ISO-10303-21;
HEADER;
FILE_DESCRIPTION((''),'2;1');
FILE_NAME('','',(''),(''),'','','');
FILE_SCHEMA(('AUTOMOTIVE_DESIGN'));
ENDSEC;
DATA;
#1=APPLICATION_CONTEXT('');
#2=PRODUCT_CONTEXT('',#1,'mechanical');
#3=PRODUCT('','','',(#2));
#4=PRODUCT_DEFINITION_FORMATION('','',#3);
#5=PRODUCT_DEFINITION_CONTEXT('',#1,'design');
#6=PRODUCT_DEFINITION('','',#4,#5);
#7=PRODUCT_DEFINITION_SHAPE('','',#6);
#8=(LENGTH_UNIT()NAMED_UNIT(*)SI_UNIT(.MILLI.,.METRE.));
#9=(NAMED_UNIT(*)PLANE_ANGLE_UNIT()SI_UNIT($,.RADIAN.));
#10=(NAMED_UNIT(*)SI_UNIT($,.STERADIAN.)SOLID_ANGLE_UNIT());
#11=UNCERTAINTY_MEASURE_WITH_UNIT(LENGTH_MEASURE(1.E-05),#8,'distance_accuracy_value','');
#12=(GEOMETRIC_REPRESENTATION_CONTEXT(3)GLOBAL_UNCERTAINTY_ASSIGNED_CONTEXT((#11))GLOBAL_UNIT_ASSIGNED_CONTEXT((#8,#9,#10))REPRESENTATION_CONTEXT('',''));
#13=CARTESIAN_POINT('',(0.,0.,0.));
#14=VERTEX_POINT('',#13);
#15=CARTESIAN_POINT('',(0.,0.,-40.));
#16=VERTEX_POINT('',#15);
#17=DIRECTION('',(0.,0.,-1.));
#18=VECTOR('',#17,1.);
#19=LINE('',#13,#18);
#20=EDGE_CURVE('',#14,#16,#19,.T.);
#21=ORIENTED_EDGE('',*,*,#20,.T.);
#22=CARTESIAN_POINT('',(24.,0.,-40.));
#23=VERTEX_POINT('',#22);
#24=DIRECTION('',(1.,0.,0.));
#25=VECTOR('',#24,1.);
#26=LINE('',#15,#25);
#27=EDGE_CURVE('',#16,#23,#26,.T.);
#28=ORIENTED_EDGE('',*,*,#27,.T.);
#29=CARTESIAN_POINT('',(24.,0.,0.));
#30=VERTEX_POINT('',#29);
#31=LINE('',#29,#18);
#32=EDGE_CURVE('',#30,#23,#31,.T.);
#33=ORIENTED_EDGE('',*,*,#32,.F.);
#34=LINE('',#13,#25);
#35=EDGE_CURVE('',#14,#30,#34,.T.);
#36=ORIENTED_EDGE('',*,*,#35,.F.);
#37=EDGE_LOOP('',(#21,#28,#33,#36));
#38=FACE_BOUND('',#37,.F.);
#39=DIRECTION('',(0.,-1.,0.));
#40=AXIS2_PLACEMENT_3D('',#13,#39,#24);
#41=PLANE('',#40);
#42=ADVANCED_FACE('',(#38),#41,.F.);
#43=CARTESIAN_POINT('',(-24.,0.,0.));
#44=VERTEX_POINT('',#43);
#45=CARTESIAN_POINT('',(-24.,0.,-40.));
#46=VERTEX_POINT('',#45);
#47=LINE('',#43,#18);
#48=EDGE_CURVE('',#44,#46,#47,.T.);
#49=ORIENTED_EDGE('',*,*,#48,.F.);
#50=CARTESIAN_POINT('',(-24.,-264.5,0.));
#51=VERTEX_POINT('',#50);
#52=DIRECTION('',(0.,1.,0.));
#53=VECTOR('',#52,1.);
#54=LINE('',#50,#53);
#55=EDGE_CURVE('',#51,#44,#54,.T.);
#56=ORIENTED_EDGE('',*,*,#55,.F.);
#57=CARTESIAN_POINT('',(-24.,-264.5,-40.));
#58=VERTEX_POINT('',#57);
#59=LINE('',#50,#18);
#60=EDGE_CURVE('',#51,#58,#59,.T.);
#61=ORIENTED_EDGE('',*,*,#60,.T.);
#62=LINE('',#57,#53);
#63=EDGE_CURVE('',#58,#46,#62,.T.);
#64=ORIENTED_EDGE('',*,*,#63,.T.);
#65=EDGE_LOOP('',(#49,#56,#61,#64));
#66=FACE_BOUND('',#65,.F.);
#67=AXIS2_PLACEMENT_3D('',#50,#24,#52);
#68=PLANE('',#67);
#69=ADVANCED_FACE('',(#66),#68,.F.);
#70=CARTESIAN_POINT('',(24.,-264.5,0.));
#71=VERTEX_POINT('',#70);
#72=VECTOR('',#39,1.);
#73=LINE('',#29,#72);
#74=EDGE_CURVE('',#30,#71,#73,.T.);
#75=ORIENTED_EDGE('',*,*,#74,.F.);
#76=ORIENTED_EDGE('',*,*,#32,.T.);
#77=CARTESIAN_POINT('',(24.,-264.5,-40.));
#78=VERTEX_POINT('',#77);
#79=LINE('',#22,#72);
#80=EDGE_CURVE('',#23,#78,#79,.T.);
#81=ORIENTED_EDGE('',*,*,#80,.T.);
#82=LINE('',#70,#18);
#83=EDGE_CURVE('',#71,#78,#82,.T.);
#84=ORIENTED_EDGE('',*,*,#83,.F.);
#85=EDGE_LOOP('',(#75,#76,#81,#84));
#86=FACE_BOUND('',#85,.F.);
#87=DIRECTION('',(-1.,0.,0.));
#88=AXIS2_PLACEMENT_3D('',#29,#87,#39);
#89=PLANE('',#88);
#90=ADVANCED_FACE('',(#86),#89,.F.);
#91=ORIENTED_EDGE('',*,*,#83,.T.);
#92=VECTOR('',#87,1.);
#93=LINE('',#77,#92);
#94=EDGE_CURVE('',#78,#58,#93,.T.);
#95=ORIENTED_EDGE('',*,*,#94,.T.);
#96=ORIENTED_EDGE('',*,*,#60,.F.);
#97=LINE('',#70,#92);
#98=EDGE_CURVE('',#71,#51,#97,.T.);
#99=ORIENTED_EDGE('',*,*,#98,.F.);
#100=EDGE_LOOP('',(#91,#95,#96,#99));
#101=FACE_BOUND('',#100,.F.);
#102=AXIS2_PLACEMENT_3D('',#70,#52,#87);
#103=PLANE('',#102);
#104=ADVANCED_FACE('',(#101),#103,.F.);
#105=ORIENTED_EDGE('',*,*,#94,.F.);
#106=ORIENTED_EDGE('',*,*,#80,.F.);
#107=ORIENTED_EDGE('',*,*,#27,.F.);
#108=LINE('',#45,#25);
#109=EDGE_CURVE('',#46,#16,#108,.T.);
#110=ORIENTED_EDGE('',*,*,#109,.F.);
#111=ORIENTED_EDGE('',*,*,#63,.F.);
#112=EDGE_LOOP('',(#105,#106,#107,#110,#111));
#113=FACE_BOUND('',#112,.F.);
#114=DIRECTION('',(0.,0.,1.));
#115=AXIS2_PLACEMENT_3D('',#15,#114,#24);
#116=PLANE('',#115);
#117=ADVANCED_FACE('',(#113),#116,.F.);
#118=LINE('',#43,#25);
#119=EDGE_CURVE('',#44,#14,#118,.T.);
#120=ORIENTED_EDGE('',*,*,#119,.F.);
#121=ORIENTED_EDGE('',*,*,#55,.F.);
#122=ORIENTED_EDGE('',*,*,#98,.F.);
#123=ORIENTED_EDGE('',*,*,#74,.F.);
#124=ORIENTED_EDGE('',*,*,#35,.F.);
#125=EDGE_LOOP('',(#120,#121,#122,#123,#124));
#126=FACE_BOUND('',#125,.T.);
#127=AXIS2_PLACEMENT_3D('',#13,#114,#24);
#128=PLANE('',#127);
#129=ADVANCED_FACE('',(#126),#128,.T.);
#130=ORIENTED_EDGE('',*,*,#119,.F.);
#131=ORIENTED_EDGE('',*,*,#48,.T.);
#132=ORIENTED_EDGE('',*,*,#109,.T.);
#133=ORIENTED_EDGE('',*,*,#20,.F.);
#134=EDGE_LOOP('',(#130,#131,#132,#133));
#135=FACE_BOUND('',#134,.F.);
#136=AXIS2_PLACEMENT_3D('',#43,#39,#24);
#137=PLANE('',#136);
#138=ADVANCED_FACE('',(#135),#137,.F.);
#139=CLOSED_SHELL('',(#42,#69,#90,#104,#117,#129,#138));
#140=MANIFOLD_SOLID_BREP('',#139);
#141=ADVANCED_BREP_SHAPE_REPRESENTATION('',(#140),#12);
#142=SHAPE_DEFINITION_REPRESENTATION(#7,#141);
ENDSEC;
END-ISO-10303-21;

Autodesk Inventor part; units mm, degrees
ref_plane "YZ Plane" through (0, 0, 0) normal (1, 0, 0) x (0, 1, 0)
ref_plane "XZ Plane" through (0, 0, 0) normal (0, 1, 0) x (-1, 0, 0)
ref_plane "XY Plane" through (0, 0, 0) normal (0, 0, 1) x (1, 0, 0)
sketch "Boceto1" plane through (0, 0, 0) normal (0, 0, 1) x (1, 0, 0)
  line L0 (0, 0) -> (24, 0)
  line L1 (24, 0) -> (24, -264.5)
  line L2 (24, -264.5) -> (-24, -264.5)
  line L3 (-24, -264.5) -> (-24, 0)
  line L4 (-24, 0) -> (0, 0)
  dimension "d0" = 24
  dimension "d1" = 264.5
  dimension "d2" = 48
extrude "Extrusión1" add sketch "Boceto1" against normal blind 40
properties part number "Knee_v2"
